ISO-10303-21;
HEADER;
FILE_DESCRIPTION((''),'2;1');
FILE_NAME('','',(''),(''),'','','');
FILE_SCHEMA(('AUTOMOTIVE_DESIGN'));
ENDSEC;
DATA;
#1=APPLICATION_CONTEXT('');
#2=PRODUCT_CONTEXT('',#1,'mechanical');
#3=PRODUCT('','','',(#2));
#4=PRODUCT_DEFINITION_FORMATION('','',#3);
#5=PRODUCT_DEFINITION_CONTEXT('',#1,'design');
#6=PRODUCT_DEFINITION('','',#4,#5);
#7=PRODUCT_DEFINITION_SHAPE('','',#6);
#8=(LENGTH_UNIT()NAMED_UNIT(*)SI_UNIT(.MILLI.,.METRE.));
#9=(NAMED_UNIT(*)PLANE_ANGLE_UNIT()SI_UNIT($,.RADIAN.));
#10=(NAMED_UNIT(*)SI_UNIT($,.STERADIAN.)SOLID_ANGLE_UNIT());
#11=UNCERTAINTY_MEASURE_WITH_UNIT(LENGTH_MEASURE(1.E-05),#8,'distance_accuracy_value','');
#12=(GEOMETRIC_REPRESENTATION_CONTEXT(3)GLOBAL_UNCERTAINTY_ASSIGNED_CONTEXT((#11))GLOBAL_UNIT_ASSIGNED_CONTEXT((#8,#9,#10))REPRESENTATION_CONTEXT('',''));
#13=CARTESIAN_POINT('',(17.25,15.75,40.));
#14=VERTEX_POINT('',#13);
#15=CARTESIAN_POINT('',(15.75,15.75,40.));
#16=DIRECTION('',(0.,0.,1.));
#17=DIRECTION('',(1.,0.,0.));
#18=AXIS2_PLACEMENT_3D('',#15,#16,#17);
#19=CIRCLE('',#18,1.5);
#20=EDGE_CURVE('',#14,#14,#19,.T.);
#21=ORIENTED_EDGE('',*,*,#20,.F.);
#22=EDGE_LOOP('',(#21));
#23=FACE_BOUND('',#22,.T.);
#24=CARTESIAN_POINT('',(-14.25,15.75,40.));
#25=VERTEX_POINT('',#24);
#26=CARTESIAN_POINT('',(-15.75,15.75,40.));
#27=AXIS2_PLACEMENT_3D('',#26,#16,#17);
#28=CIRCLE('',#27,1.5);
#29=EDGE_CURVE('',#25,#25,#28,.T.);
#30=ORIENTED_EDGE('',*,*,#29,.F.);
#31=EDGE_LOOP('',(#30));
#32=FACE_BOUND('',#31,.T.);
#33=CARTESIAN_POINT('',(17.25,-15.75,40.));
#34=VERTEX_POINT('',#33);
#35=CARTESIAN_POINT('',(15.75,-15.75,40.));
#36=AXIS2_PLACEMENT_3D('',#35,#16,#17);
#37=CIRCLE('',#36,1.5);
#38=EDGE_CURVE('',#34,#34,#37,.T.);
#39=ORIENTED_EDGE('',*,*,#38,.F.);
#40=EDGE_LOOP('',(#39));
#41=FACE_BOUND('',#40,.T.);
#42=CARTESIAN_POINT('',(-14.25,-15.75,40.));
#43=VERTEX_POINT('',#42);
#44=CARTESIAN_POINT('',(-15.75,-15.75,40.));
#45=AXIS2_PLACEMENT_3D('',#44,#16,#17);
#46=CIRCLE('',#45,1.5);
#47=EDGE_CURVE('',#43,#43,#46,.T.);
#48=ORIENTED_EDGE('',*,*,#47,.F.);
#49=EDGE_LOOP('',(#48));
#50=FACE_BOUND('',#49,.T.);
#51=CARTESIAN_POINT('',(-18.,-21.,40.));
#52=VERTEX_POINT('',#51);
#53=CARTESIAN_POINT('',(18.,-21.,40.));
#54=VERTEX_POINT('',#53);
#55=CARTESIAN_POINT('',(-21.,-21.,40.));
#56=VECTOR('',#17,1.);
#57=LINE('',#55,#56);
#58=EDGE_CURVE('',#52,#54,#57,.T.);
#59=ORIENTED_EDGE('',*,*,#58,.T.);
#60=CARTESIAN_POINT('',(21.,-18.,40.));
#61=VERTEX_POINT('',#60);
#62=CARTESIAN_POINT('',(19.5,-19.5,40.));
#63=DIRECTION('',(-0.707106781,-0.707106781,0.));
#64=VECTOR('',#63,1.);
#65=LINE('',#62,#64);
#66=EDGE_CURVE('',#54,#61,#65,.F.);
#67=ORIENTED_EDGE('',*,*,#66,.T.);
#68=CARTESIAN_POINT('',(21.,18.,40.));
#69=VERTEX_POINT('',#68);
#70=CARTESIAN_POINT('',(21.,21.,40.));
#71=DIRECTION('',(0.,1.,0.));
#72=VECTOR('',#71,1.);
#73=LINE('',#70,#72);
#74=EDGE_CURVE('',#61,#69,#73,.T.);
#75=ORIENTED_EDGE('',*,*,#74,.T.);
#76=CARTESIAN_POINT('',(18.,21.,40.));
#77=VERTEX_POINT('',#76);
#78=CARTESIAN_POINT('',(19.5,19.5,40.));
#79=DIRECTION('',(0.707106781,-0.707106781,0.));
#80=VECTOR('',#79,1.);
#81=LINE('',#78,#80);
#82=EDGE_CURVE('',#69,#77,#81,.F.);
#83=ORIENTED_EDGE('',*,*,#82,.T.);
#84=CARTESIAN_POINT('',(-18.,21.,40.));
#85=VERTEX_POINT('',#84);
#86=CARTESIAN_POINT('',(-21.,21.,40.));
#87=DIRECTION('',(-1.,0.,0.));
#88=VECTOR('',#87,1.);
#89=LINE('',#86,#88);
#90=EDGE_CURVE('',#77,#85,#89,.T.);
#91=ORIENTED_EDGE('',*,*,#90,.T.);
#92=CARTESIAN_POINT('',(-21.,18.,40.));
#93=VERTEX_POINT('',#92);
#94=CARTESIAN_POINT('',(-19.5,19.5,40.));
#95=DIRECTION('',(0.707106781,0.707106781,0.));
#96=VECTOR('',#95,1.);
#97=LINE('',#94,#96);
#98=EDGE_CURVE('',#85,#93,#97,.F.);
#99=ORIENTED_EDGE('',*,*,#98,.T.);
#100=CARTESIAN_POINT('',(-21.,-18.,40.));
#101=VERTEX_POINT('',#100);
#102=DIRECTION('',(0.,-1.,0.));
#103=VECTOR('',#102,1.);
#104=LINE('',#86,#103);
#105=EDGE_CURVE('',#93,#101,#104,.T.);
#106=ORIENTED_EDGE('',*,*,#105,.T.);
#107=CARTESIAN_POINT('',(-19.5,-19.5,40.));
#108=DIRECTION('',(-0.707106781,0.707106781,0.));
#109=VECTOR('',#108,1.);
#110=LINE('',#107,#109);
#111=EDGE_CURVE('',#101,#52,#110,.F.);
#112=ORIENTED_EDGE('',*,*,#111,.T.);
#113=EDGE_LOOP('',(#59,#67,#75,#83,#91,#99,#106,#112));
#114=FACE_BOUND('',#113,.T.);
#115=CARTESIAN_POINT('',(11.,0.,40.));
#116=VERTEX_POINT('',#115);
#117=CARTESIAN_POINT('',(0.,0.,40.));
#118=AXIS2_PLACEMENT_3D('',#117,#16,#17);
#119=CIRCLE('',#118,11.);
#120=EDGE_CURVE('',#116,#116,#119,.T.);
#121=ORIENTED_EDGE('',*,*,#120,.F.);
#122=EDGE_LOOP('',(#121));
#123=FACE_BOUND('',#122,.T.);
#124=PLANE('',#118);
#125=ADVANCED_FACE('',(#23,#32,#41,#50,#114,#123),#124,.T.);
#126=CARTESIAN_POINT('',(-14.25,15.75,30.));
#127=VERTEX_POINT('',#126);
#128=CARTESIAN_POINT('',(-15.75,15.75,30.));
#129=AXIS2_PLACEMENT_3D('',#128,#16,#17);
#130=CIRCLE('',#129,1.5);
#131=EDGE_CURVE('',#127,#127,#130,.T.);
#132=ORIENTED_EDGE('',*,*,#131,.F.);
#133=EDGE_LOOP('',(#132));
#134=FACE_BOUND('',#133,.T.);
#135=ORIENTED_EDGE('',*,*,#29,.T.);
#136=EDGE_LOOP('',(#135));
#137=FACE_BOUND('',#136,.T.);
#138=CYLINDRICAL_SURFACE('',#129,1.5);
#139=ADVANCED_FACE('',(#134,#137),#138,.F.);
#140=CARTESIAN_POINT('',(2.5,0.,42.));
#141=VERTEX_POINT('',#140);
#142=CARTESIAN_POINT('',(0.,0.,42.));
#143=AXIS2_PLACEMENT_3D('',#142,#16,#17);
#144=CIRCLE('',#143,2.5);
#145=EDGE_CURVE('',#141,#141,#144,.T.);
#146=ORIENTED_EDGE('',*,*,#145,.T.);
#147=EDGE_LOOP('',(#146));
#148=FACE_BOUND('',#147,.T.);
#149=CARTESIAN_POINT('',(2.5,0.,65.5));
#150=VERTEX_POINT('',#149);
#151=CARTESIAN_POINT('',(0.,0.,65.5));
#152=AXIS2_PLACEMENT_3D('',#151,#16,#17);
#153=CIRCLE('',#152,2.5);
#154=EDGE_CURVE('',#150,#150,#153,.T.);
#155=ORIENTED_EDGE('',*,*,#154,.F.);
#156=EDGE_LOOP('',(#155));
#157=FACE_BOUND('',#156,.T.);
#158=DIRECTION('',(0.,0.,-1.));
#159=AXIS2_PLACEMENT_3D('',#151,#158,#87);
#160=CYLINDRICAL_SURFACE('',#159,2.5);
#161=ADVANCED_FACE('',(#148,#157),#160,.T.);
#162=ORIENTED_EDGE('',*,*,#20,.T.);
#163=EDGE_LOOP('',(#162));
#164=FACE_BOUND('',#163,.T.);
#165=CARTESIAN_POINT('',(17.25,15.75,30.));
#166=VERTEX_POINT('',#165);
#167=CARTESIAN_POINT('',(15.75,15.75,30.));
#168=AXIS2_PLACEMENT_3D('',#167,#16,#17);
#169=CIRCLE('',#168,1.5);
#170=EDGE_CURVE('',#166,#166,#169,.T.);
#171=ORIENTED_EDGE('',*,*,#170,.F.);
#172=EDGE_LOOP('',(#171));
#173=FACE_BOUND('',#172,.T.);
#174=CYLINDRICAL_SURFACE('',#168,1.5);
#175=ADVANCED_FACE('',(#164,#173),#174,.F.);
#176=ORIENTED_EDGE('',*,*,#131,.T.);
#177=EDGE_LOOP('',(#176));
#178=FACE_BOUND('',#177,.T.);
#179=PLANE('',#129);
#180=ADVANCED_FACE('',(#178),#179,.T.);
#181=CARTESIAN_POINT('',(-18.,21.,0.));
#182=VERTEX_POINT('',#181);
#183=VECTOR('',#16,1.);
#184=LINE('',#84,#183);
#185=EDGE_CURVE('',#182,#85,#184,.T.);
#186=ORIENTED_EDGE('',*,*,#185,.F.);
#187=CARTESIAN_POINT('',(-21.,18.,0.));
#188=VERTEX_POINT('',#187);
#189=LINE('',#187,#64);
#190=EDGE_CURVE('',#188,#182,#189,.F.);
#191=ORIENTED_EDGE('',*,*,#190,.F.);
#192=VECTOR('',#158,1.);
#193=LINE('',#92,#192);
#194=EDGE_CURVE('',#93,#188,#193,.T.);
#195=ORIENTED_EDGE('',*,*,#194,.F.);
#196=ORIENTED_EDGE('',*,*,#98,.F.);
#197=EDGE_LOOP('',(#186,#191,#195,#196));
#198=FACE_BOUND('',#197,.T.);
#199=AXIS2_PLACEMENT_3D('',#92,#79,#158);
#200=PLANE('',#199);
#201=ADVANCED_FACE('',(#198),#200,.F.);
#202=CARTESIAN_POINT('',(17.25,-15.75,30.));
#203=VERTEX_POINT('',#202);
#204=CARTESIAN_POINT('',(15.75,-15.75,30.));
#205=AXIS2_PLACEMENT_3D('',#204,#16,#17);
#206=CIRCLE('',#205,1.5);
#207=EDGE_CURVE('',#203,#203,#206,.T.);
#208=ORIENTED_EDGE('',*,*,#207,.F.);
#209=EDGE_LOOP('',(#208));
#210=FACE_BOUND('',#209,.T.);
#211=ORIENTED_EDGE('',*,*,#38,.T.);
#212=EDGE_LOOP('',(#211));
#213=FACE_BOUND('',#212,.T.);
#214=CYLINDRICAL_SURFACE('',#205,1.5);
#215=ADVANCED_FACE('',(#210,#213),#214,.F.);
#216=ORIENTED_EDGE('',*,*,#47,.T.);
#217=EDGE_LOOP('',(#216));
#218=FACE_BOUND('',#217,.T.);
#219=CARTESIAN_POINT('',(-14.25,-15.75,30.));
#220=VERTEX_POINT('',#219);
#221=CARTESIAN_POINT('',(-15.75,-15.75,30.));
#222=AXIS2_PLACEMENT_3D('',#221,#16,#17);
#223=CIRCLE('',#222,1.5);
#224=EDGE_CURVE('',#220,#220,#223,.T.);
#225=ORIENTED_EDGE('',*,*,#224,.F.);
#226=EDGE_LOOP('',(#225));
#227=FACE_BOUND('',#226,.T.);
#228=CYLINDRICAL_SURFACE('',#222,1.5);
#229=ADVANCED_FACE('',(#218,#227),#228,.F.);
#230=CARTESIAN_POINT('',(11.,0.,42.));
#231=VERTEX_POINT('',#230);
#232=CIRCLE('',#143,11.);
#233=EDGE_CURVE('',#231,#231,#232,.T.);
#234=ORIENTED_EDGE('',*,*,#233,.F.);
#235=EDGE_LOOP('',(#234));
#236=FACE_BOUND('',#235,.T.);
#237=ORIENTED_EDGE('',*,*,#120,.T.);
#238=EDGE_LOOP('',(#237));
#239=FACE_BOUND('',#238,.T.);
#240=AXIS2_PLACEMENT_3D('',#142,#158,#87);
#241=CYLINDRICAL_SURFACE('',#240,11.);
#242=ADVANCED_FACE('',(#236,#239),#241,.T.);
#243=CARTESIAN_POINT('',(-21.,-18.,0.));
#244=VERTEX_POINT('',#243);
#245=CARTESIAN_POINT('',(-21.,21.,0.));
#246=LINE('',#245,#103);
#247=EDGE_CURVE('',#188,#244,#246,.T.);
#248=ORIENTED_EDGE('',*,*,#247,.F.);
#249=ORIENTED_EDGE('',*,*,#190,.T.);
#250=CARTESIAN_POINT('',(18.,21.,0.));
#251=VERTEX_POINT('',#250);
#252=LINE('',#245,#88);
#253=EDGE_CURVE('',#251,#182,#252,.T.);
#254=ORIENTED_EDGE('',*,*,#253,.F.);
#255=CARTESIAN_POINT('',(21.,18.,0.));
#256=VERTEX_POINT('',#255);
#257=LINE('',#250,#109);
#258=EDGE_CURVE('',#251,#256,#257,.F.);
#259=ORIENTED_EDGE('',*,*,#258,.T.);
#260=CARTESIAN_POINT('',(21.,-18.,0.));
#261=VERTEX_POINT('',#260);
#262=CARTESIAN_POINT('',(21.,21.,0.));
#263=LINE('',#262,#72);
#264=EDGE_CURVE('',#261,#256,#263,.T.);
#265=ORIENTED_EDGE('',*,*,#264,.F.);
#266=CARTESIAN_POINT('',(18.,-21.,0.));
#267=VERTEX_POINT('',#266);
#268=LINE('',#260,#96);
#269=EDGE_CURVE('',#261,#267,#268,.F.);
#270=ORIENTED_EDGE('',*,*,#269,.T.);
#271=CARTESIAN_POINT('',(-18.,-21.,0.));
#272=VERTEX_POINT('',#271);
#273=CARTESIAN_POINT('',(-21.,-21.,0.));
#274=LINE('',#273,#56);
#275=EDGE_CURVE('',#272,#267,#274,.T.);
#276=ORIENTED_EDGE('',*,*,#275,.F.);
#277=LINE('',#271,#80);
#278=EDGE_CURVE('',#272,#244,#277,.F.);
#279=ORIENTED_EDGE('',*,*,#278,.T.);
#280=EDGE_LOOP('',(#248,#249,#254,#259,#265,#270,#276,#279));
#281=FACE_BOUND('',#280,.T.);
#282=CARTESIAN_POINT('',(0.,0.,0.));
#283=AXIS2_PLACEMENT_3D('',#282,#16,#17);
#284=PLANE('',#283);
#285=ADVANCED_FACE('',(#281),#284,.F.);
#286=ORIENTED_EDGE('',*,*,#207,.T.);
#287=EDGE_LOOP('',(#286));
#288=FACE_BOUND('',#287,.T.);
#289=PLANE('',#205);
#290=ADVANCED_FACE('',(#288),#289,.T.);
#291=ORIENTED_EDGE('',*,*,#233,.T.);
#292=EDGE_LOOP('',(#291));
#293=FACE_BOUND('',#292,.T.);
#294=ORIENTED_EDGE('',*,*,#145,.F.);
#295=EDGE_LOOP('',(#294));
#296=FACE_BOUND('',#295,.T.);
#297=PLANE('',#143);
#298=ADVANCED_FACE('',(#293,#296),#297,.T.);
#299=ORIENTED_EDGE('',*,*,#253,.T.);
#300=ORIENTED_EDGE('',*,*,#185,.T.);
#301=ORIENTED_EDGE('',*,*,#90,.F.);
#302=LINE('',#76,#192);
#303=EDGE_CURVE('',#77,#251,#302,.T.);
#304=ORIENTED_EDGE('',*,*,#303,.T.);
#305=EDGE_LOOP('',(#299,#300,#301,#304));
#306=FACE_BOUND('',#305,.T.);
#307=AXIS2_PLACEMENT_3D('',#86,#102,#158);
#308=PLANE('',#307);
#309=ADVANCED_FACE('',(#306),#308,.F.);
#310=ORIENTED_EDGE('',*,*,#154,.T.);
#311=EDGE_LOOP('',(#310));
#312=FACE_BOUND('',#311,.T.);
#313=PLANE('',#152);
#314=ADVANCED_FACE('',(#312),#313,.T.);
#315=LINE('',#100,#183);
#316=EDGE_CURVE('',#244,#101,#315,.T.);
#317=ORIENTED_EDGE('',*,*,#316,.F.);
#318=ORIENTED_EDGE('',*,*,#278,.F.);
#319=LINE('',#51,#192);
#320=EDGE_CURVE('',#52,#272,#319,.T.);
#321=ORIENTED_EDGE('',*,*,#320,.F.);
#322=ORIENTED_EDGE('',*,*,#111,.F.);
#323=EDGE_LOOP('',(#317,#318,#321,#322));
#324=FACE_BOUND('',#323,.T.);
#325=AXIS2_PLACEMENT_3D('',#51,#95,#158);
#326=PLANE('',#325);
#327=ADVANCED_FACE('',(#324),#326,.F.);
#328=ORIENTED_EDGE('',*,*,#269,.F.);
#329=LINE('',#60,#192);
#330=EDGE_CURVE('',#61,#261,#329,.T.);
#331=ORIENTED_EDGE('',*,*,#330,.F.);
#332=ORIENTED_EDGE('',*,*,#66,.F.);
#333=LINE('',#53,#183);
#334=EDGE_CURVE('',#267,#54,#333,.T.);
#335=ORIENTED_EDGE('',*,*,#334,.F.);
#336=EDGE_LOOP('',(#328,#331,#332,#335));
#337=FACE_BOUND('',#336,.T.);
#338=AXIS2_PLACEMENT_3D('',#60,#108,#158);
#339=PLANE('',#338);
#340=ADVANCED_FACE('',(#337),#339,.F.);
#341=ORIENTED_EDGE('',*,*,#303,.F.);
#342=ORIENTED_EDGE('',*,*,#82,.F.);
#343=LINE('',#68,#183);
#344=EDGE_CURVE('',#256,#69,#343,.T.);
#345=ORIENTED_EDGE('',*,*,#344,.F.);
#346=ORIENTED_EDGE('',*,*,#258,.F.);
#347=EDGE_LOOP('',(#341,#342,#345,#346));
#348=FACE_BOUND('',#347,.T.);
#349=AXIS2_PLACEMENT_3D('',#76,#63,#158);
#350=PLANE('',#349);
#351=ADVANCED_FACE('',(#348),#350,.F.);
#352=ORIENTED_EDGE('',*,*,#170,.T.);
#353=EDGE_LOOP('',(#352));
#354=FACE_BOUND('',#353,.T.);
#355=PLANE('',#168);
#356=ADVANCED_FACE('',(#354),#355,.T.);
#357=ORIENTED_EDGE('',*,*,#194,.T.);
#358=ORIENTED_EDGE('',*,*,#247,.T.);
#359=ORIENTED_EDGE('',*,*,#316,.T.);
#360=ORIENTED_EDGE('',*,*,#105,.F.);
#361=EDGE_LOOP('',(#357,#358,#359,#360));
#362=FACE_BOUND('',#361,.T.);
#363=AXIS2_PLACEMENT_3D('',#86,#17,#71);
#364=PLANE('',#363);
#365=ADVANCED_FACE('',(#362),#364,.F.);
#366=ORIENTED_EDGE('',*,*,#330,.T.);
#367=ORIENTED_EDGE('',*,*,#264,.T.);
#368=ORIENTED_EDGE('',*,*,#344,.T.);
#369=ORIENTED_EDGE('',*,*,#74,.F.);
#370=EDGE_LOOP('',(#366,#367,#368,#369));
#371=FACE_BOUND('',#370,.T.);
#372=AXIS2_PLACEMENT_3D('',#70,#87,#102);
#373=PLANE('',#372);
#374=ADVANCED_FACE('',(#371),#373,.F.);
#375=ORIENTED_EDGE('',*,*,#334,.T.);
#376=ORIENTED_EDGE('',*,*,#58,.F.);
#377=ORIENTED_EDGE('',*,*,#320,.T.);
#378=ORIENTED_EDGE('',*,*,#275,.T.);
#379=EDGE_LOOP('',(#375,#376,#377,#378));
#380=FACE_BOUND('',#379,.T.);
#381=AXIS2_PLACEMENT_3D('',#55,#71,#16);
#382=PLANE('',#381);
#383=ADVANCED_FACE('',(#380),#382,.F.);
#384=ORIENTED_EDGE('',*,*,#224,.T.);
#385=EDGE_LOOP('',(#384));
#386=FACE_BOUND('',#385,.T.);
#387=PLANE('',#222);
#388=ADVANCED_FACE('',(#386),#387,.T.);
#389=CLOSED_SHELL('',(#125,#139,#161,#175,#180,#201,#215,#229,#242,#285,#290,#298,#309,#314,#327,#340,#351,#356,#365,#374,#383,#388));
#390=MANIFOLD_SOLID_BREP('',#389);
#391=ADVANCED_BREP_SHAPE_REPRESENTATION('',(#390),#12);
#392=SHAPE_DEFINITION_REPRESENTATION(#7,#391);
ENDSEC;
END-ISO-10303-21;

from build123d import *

# Parameters (mm, degrees)
SKETCH1_W           = 42
SKETCH1_H           = 42
BOSS_EXTRUDE1_DEPTH = 40
SKETCH2_R           = 11
BOSS_EXTRUDE2_DEPTH = 2
SKETCH3_R           = 2.5
BOSS_EXTRUDE3_DEPTH = 23.5
CHAMFER1_SIZE       = 3
SKETCH4_R           = 1.5
CUT_EXTRUDE1_DEPTH  = 10


with BuildPart() as part:
    # Sketch1 → Boss-Extrude1 (new body)
    with BuildSketch(Plane.XY):
        Rectangle(SKETCH1_W, SKETCH1_H)
    extrude(amount=BOSS_EXTRUDE1_DEPTH)

    # Sketch2 → Boss-Extrude2 (add)
    with BuildSketch(Plane.XY.offset(40)):
        Circle(SKETCH2_R)
    extrude(amount=BOSS_EXTRUDE2_DEPTH)

    # Sketch3 → Boss-Extrude3 (add)
    with BuildSketch(Plane.XY.offset(42)):
        Circle(SKETCH3_R)
    extrude(amount=BOSS_EXTRUDE3_DEPTH)

    # Chamfer1
    chamfer1_edges = [part.edges().sort_by_distance(p)[0] for p in [
        (21, -21, 20),
        (-21, -21, 20),
        (-21, 21, 20),
        (21, 21, 20),
    ]]
    chamfer(chamfer1_edges, length=CHAMFER1_SIZE)

    # Sketch4 → Cut-Extrude1 (cut)
    with BuildSketch(Plane.XY.offset(40)):
        with Locations((-15.75, 15.75)):
            Circle(SKETCH4_R)
        with Locations((15.75, 15.75)):
            Circle(SKETCH4_R)
        with Locations((-15.75, -15.75)):
            Circle(SKETCH4_R)
        with Locations((15.75, -15.75)):
            Circle(SKETCH4_R)
    extrude(amount=-CUT_EXTRUDE1_DEPTH, mode=Mode.SUBTRACT)


solid = part.part
